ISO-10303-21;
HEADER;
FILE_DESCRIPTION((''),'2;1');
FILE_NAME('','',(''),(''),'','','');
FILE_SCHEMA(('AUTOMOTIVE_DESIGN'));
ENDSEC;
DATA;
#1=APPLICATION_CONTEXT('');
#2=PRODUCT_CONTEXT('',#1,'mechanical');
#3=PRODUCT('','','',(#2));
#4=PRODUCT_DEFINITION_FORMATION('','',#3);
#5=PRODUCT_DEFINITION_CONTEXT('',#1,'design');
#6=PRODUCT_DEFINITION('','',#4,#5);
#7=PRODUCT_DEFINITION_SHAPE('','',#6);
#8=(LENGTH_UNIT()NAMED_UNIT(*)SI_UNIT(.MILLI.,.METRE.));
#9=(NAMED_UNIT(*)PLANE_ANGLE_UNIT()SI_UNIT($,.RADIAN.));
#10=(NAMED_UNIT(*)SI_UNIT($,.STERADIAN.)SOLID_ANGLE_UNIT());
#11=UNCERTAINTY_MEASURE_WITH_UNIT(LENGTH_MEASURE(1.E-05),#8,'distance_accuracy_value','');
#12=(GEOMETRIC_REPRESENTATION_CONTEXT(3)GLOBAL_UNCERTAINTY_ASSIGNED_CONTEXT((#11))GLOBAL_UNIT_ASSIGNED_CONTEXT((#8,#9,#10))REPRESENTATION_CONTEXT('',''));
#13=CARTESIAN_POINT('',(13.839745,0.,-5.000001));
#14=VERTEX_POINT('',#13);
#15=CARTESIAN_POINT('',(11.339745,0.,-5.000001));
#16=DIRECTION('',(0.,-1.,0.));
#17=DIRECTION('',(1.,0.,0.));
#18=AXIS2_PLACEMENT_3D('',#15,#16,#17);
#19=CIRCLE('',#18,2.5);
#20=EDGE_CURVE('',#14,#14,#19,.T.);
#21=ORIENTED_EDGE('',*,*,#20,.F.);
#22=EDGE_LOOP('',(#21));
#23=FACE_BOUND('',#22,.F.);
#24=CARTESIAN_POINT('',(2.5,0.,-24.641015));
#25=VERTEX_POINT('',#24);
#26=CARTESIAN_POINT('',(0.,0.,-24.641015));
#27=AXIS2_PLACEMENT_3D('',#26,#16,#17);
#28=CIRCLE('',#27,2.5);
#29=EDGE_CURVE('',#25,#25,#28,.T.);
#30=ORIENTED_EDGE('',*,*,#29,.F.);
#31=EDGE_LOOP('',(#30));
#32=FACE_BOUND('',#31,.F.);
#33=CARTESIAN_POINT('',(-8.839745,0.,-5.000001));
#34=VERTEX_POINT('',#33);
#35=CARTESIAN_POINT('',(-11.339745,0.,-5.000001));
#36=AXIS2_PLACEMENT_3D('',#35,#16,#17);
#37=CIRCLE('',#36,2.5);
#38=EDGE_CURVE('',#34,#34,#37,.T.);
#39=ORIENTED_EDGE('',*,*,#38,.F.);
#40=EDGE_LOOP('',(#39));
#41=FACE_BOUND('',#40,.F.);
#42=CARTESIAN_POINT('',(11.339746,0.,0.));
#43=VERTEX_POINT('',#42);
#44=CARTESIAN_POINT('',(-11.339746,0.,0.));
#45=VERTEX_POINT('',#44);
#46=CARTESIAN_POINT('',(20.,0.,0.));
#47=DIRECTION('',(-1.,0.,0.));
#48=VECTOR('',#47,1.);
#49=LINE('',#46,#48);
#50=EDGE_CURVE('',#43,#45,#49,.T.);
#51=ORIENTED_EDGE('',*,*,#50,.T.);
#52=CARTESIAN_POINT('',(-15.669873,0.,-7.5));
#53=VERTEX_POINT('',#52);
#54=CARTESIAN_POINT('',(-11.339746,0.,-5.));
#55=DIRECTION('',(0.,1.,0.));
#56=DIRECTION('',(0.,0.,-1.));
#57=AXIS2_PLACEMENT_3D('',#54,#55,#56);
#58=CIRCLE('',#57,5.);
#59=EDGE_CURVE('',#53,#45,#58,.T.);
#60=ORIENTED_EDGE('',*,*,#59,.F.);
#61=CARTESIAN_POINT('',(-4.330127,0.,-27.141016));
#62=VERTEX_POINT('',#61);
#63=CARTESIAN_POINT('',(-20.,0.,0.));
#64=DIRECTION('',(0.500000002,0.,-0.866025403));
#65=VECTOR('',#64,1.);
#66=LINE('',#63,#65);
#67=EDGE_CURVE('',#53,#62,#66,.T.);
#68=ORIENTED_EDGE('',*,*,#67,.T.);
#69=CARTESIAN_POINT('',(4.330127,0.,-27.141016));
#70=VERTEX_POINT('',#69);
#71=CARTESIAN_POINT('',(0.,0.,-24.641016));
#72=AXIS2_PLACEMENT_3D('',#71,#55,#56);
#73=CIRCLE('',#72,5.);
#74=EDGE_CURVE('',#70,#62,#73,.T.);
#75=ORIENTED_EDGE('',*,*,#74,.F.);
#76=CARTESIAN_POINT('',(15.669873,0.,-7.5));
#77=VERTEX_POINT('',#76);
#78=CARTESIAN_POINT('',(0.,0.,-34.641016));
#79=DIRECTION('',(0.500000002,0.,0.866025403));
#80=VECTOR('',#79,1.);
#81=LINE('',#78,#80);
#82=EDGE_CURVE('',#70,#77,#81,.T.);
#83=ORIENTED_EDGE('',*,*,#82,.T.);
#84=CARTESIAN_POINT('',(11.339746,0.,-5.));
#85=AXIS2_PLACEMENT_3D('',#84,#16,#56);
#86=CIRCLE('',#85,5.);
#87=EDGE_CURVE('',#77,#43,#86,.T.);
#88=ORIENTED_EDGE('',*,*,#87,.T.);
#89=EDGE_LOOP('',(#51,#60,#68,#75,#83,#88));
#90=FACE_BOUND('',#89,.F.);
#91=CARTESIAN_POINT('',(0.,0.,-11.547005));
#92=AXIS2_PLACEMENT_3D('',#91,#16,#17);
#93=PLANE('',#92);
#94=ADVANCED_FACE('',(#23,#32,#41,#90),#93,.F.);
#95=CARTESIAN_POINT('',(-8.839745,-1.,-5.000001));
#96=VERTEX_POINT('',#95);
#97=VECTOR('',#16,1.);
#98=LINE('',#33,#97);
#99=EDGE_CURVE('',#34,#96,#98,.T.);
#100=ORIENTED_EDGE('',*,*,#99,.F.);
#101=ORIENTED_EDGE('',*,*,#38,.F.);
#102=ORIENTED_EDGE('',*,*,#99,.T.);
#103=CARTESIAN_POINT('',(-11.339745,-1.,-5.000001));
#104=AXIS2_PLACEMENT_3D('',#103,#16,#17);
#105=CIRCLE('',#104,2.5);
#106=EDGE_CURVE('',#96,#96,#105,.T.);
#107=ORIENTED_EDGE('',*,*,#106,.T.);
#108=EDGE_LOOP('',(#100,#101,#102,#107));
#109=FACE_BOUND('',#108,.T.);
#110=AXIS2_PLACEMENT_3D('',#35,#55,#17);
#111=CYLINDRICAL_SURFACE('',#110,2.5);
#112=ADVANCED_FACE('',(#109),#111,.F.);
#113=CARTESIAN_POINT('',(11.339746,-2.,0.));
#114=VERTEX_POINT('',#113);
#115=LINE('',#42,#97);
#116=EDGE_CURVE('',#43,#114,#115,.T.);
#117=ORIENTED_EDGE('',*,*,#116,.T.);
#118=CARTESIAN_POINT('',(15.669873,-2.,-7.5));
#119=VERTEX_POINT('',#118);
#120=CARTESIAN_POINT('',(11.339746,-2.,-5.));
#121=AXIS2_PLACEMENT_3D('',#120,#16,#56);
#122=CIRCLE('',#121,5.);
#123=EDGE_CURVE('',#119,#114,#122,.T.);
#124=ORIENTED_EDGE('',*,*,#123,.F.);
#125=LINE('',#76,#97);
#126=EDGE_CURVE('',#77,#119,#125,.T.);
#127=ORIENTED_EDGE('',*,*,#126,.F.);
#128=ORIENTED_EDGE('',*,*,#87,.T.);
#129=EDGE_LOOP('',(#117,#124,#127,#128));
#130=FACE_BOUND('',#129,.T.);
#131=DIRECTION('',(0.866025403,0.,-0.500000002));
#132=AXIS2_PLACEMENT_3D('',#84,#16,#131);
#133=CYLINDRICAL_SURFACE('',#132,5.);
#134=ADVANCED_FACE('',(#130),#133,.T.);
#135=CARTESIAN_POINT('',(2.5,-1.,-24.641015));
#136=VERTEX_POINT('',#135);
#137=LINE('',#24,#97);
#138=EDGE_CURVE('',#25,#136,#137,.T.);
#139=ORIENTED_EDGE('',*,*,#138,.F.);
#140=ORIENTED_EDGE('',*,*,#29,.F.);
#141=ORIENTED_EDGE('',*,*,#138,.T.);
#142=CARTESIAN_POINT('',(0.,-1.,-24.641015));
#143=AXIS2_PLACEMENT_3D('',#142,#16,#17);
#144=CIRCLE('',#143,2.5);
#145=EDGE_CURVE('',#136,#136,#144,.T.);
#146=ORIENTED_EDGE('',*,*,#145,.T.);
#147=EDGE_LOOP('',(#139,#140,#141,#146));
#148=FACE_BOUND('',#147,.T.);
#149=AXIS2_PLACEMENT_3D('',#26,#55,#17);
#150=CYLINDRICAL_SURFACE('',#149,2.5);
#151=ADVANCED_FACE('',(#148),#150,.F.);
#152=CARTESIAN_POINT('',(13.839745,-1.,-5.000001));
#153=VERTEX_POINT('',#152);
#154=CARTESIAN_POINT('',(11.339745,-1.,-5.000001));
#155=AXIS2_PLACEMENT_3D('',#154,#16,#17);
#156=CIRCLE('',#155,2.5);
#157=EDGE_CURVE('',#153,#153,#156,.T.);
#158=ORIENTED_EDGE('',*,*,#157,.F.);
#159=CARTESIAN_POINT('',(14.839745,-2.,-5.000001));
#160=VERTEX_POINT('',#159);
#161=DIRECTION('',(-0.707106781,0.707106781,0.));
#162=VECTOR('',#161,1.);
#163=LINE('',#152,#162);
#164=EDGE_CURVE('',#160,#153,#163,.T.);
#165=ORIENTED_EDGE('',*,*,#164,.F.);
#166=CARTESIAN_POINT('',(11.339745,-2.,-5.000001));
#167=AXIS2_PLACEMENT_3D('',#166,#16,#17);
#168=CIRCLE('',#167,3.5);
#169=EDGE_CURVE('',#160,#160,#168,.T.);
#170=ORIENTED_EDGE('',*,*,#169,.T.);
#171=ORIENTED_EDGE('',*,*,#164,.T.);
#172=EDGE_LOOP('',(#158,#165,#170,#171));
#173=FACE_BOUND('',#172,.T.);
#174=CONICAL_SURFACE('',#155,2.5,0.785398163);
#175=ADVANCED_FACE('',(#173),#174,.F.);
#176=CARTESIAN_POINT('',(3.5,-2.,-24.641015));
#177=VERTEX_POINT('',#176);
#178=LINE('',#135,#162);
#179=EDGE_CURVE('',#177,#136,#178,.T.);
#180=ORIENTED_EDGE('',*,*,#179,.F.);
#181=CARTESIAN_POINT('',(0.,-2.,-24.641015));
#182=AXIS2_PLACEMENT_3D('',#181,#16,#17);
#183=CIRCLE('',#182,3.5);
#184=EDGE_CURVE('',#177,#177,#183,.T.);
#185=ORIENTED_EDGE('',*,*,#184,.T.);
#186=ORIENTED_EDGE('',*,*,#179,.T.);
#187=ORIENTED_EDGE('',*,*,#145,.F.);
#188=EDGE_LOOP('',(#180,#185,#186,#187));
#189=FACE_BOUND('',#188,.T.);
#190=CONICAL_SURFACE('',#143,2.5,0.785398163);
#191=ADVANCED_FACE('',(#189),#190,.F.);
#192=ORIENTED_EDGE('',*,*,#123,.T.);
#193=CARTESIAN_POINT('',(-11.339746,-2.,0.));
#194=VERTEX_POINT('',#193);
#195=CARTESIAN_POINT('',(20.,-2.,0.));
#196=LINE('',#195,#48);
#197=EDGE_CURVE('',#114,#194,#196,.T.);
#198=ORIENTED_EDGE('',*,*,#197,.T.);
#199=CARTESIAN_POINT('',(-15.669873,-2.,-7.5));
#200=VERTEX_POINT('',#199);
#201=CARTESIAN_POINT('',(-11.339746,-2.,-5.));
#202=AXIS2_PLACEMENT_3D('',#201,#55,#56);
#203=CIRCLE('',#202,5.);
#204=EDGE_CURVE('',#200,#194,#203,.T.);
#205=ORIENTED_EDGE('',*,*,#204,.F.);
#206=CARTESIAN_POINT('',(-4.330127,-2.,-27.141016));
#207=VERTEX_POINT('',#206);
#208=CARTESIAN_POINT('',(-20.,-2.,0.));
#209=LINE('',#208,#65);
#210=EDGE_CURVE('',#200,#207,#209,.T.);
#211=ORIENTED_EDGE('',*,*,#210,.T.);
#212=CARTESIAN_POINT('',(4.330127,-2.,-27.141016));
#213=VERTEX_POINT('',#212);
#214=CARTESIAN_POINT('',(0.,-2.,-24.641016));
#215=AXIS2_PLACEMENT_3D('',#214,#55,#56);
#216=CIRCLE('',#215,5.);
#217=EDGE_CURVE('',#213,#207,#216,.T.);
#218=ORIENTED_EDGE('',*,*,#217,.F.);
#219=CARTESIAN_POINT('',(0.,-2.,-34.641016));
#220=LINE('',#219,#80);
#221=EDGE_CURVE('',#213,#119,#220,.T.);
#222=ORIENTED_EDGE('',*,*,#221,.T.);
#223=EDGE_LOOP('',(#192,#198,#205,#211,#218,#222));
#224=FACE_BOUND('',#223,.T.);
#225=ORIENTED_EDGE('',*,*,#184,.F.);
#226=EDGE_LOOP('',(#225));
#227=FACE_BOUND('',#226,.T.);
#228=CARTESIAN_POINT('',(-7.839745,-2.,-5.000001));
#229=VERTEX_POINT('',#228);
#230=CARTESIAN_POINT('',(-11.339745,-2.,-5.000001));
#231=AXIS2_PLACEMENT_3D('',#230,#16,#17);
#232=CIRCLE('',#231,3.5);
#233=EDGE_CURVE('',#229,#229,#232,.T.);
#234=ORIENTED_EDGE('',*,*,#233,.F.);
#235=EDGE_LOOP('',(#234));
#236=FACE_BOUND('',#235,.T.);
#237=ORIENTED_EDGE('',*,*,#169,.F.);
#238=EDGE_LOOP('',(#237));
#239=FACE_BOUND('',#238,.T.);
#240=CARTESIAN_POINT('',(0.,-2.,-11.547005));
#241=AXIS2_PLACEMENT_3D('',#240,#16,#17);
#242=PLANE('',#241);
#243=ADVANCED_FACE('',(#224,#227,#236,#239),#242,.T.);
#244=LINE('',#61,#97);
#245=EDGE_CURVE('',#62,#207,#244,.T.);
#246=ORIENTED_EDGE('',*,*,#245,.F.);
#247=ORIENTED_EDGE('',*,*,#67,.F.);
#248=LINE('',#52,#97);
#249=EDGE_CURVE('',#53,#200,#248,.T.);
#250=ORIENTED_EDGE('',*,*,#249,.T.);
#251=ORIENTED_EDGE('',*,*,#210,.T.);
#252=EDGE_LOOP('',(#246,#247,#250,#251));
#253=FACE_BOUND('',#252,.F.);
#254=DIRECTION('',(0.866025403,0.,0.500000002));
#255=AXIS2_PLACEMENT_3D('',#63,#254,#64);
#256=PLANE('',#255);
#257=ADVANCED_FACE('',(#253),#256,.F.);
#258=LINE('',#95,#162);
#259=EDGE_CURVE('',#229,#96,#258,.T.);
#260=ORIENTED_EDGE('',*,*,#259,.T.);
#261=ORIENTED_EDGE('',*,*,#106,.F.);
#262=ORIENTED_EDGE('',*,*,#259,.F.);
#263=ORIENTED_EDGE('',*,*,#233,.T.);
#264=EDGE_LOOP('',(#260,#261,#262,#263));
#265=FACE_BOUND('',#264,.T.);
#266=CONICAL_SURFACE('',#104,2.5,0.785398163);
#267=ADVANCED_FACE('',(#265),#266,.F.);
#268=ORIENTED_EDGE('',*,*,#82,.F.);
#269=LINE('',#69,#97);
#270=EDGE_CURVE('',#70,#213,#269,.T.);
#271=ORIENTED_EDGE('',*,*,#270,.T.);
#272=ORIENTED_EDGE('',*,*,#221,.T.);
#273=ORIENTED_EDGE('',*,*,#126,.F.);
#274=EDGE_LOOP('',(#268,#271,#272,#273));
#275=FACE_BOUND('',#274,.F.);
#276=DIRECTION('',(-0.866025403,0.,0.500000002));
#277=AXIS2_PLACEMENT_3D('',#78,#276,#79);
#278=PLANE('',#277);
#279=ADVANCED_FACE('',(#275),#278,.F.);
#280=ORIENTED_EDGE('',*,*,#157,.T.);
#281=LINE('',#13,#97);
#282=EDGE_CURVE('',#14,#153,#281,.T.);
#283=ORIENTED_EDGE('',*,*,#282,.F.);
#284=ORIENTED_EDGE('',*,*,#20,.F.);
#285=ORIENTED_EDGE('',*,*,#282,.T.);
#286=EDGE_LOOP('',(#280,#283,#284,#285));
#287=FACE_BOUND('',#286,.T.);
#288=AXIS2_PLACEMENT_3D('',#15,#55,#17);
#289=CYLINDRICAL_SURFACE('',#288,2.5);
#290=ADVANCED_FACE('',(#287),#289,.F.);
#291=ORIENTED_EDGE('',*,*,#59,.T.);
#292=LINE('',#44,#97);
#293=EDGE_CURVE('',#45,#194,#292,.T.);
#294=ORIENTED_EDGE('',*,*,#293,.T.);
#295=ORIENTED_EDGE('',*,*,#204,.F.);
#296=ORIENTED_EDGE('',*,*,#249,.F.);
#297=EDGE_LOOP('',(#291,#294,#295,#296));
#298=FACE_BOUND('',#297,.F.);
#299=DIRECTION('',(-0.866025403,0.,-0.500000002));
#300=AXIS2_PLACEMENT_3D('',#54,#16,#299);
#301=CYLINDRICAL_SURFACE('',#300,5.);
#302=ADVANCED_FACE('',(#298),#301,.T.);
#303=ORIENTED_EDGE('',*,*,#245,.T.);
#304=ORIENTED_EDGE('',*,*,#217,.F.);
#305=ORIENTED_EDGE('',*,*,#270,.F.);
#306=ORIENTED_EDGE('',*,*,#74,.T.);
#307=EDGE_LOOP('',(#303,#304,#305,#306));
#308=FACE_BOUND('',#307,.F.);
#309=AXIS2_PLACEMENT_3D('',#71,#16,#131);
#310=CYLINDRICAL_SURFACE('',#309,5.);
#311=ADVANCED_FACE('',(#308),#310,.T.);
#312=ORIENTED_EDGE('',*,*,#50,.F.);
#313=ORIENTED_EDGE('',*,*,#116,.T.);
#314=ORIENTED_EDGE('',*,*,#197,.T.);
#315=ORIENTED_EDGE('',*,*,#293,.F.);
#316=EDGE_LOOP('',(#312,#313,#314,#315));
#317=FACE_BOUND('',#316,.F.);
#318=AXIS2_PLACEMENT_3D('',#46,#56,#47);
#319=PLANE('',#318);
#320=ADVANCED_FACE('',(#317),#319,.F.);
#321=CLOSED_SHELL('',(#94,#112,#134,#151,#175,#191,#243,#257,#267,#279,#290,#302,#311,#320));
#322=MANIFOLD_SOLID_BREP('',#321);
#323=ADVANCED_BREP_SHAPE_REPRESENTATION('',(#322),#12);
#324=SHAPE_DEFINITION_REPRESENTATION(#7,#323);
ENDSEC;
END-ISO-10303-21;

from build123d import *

# Parameters (mm, degrees)
F0_R     = 2.5
F1_DEPTH = 2
F2_R     = 5
F3_SIZE  = 1


with BuildPart() as f1:
    # F0 (on Front) → F1 (new body)
    with BuildSketch(Plane.XZ):
        Polygon((0, -34.641016), (20, 0), (-20, 0), align=None)
        with Locations((0, -24.641015)):
            Circle(F0_R, mode=Mode.SUBTRACT)
        with Locations((-11.339745, -5.000001)):
            Circle(F0_R, mode=Mode.SUBTRACT)
        with Locations((11.339745, -5.000001)):
            Circle(F0_R, mode=Mode.SUBTRACT)
    extrude(amount=F1_DEPTH)

    # F2
    f2_edges = [f1.edges().sort_by_distance(p)[0] for p in [
        (-20, -1, 0),
        (0, -1, -34.641016),
        (20, -1, 0),
    ]]
    fillet(f2_edges, radius=F2_R)

    # F3
    f3_edges = [f1.edges().sort_by_distance(p)[0] for p in [
        (-13.839745, -2, -5.000001),
        (8.839745, -2, -5.000001),
        (-2.5, -2, -24.641015),
    ]]
    chamfer(f3_edges, length=F3_SIZE)


solid = f1.part
